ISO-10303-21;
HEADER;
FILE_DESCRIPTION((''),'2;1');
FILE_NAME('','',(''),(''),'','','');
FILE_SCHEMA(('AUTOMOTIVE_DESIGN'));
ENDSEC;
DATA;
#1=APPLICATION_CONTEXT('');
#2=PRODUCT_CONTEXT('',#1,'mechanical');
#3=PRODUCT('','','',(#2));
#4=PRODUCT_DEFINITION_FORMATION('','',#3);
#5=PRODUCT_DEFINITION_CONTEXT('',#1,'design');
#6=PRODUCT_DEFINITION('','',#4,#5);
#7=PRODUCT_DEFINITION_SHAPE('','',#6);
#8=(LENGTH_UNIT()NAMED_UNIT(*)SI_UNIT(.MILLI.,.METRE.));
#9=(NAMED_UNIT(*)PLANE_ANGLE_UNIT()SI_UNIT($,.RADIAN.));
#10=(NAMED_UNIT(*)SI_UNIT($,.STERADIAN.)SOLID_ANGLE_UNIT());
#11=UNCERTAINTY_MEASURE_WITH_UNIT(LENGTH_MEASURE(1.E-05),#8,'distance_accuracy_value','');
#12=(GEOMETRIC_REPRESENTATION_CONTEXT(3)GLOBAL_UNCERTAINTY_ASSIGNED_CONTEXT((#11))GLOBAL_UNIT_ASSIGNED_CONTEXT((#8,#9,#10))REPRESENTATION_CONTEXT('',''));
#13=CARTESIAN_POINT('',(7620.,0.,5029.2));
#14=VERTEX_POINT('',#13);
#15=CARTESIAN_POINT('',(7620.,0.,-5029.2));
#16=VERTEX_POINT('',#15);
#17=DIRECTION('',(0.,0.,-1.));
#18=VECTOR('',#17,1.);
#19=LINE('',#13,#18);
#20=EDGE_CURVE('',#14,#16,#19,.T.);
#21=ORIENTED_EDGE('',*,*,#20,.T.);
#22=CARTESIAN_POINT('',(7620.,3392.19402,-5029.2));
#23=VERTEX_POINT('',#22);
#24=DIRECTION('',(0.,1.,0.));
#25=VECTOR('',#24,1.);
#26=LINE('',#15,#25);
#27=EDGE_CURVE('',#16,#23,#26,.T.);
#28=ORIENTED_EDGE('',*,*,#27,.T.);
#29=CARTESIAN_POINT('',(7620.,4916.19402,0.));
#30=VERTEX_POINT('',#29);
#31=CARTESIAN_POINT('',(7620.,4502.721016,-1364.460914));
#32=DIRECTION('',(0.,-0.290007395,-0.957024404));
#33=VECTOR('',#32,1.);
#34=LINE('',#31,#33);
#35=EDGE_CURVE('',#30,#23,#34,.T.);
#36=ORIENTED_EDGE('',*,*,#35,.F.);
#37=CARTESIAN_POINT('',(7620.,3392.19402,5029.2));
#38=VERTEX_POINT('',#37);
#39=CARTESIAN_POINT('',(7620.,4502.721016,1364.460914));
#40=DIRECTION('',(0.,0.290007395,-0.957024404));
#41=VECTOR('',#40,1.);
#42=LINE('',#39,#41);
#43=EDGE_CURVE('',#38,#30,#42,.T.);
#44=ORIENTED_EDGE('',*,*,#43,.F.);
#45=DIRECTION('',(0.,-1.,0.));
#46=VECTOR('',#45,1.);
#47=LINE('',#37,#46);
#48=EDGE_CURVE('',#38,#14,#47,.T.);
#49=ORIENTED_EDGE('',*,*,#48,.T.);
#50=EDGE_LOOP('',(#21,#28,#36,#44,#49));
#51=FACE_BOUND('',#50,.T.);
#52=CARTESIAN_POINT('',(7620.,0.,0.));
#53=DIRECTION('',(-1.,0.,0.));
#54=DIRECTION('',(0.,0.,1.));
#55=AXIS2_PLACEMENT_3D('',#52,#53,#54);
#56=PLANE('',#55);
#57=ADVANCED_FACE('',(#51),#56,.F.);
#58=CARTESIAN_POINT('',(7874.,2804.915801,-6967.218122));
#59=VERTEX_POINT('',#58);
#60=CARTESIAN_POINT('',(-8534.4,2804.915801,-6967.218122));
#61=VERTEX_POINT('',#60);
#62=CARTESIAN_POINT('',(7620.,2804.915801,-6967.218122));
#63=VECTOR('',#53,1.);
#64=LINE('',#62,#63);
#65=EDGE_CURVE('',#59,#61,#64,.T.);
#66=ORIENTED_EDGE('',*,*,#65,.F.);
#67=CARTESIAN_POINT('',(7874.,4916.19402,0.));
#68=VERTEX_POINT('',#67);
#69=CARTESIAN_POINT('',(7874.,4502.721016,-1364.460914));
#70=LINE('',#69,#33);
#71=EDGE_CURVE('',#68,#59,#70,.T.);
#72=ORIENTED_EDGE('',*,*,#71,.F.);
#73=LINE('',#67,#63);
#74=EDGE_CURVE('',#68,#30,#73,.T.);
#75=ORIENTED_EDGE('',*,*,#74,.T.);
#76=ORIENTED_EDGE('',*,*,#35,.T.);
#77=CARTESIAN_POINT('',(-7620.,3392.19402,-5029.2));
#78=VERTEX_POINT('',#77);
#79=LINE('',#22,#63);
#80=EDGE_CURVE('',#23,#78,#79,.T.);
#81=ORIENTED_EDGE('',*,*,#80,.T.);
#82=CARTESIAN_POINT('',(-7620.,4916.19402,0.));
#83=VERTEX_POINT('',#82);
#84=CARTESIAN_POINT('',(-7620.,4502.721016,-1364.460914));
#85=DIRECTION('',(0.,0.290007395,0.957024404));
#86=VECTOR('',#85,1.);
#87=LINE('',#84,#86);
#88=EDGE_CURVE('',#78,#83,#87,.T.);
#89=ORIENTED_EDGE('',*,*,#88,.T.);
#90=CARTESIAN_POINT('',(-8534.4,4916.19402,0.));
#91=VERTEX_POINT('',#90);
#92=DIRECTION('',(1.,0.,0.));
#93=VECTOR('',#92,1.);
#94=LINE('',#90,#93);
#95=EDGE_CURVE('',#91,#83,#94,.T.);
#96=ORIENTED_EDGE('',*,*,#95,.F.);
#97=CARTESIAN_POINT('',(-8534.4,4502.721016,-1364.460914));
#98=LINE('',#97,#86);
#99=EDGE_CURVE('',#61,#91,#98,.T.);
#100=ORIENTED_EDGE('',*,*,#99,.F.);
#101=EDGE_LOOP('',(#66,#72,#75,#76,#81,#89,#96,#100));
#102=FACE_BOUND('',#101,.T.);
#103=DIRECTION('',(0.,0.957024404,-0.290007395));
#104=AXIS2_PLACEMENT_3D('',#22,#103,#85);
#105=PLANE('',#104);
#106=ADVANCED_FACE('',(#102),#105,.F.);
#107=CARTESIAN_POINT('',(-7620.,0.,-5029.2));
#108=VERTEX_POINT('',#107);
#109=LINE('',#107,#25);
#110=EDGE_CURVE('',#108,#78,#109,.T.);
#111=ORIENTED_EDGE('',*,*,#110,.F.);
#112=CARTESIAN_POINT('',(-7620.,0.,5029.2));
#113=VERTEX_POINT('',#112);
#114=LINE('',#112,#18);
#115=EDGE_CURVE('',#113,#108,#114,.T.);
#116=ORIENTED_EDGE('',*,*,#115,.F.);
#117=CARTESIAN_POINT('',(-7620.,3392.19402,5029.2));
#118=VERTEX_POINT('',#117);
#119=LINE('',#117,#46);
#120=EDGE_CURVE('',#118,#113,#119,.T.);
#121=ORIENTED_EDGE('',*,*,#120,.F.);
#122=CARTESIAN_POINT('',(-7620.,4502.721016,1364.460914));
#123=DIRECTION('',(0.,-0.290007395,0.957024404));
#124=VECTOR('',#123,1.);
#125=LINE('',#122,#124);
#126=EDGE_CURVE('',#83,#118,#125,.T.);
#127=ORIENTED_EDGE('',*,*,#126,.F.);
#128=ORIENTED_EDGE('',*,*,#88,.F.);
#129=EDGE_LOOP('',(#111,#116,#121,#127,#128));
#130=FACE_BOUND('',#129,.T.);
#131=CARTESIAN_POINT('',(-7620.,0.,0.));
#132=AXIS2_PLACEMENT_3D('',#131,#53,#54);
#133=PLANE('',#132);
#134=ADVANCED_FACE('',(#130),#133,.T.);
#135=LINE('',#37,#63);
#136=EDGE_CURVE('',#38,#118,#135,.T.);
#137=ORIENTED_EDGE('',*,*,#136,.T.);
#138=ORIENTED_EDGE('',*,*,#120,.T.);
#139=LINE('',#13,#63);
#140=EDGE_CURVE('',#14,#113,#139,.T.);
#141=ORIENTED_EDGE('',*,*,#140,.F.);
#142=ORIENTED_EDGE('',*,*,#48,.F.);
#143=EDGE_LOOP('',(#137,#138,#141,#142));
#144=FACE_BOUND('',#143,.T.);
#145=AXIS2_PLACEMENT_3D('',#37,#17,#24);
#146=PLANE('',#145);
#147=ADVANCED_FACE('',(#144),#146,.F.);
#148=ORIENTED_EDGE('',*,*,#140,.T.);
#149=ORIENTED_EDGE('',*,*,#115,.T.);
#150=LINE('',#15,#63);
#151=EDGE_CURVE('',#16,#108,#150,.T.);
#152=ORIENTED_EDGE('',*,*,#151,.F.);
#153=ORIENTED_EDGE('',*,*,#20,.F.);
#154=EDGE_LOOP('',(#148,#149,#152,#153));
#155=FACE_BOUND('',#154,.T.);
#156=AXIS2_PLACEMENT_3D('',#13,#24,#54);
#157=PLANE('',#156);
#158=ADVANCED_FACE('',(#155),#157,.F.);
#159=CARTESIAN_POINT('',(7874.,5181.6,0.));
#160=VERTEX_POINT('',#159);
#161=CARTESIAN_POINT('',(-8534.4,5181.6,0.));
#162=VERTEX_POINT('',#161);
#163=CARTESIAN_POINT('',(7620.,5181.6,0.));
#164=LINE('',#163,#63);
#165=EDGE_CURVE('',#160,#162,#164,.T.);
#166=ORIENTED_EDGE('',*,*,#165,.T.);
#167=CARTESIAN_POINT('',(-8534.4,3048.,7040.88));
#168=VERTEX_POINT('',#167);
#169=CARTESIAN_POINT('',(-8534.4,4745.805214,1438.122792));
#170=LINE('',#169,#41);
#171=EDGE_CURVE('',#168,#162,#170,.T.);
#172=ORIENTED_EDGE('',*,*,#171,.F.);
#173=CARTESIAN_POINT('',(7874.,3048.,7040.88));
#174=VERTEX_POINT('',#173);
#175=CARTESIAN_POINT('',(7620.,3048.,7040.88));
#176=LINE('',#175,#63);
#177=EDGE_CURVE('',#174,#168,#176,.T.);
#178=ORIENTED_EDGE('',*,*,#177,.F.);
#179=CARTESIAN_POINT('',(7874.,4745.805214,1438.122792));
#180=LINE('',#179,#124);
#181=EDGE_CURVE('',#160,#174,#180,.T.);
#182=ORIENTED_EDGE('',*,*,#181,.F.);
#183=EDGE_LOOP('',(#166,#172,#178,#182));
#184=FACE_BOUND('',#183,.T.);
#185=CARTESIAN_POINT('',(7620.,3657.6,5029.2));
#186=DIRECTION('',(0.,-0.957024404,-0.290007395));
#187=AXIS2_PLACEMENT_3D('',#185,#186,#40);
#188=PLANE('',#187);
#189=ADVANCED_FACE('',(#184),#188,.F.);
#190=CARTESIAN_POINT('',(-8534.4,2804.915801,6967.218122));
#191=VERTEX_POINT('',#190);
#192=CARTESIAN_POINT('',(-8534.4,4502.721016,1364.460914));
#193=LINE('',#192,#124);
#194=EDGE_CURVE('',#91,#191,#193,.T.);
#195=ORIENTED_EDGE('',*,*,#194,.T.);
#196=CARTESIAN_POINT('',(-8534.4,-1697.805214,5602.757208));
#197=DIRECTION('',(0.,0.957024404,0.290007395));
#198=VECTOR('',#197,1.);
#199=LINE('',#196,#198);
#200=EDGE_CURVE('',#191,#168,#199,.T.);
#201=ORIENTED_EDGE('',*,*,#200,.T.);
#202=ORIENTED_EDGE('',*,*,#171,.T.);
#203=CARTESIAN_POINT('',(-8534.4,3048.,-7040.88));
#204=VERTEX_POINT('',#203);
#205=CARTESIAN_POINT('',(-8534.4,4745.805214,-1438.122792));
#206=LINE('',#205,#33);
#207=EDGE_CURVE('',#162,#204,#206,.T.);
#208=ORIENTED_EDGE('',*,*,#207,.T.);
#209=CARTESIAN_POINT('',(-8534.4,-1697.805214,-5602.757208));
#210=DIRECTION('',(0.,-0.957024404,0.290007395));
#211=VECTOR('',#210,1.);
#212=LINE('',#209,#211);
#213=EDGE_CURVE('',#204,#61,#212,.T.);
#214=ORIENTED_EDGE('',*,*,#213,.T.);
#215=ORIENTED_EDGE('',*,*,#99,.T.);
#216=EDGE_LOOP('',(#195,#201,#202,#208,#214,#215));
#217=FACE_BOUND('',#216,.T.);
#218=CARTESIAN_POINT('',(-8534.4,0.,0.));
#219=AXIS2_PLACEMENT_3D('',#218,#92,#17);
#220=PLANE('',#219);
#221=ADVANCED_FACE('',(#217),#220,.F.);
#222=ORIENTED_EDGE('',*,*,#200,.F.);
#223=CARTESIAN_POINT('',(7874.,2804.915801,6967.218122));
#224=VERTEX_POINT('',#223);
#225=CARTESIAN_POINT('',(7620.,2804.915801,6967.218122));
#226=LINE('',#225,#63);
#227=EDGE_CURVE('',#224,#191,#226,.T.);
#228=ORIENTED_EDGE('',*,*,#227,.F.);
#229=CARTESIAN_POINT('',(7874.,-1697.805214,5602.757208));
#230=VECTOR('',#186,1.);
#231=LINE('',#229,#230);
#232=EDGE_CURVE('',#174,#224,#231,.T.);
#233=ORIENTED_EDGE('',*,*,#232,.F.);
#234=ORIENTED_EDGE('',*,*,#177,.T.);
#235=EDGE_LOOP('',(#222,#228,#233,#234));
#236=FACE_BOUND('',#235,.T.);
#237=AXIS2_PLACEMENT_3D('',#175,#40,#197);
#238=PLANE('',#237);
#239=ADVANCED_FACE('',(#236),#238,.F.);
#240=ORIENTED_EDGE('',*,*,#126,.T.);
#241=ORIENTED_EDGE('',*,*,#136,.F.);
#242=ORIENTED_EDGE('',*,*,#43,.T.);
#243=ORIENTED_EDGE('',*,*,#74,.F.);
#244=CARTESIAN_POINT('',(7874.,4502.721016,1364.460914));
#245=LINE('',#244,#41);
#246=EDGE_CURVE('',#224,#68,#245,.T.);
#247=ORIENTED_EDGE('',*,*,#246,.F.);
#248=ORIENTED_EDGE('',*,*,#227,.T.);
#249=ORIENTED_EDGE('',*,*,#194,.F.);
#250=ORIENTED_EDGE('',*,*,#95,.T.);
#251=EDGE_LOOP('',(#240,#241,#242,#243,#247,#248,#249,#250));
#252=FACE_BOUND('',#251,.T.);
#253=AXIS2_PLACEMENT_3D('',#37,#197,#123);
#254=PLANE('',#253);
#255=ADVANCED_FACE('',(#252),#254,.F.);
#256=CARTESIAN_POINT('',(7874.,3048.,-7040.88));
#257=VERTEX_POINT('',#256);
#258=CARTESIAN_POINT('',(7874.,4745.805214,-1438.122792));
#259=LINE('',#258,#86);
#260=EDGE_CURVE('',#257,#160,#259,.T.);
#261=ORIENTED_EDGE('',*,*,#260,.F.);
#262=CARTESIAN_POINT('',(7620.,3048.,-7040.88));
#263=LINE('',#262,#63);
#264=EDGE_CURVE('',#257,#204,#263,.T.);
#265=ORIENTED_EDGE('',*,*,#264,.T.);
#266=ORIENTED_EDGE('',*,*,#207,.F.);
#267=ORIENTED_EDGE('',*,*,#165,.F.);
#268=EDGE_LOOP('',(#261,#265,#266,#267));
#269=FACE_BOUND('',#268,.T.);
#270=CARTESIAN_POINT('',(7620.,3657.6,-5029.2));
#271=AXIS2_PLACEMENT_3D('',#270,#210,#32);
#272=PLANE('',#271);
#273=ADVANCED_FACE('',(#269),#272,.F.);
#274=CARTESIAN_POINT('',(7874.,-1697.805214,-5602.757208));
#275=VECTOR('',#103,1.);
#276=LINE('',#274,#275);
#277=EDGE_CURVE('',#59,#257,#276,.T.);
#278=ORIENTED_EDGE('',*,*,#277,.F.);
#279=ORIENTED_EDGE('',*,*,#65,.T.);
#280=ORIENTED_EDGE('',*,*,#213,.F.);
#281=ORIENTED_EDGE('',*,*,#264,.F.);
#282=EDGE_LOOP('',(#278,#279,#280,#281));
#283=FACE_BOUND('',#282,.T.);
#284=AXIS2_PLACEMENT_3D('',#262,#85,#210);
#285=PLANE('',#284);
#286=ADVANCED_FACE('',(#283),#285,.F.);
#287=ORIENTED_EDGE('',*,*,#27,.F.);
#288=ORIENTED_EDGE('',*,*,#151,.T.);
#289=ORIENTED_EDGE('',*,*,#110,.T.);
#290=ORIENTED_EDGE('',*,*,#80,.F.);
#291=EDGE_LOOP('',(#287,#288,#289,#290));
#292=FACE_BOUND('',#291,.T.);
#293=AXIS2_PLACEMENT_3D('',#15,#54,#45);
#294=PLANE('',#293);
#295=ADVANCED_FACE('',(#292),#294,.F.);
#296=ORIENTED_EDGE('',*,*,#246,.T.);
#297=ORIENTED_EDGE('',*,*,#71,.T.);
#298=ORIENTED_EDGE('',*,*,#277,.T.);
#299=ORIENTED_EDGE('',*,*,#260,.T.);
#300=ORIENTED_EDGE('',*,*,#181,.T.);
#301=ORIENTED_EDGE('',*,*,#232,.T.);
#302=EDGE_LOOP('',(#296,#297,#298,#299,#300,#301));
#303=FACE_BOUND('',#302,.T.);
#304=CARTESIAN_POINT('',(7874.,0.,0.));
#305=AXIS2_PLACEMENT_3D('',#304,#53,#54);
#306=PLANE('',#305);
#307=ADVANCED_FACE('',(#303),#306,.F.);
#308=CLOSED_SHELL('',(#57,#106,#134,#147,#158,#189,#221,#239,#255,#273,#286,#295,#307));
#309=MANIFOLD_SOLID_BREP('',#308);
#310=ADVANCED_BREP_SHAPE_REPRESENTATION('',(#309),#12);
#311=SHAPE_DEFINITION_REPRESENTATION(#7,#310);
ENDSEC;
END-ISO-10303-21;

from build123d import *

# Parameters (mm, degrees)
BOSS_EXTRUDE1_DEPTH = 7620
BOSS_EXTRUDE2_START = 7620
BOSS_EXTRUDE2_DEPTH = 254
BOSS_EXTRUDE3_START = -7620
BOSS_EXTRUDE3_DEPTH = 914.4


with BuildPart() as part:
    # Sketch1 → Boss-Extrude1 (new body, symmetric)
    with BuildSketch(Plane(origin=(0, 0, 0), x_dir=(0, 0, -1), z_dir=(1, 0, 0))):
        Polygon((-5029.2, 0), (5029.2, 0), (5029.2, 3392.19401994), (6967.218121598, 2804.915801274), (7040.88, 3048), (5029.2, 3657.6), (0, 5181.6), (-5029.2, 3657.6), (-7040.88, 3048), (-6967.218121598, 2804.915801274), (-5029.2, 3392.19401994), align=None)
    extrude(amount=BOSS_EXTRUDE1_DEPTH, both=True)

    # Sketch2 → Boss-Extrude2 (add)
    with BuildSketch(Plane(origin=(0, 0, 0), x_dir=(0, 0, -1), z_dir=(1, 0, 0)).offset(BOSS_EXTRUDE2_START)):
        Polygon((-6967.218121598, 2804.915801274), (-5029.2, 3392.19401994), (0, 4916.19401994), (5029.2, 3392.19401994), (6967.218121598, 2804.915801274), (7040.88, 3048), (0, 5181.6), (-7040.88, 3048), align=None)
    extrude(amount=BOSS_EXTRUDE2_DEPTH)

    # Sketch2<2> → Boss-Extrude3 (add)
    with BuildSketch(Plane(origin=(0, 0, 0), x_dir=(0, 0, -1), z_dir=(1, 0, 0)).offset(BOSS_EXTRUDE3_START)):
        Polygon((-6967.218121598, 2804.915801274), (-5029.2, 3392.19401994), (0, 4916.19401994), (5029.2, 3392.19401994), (6967.218121598, 2804.915801274), (7040.88, 3048), (0, 5181.6), (-7040.88, 3048), align=None)
    extrude(amount=-BOSS_EXTRUDE3_DEPTH)


solid = part.part
